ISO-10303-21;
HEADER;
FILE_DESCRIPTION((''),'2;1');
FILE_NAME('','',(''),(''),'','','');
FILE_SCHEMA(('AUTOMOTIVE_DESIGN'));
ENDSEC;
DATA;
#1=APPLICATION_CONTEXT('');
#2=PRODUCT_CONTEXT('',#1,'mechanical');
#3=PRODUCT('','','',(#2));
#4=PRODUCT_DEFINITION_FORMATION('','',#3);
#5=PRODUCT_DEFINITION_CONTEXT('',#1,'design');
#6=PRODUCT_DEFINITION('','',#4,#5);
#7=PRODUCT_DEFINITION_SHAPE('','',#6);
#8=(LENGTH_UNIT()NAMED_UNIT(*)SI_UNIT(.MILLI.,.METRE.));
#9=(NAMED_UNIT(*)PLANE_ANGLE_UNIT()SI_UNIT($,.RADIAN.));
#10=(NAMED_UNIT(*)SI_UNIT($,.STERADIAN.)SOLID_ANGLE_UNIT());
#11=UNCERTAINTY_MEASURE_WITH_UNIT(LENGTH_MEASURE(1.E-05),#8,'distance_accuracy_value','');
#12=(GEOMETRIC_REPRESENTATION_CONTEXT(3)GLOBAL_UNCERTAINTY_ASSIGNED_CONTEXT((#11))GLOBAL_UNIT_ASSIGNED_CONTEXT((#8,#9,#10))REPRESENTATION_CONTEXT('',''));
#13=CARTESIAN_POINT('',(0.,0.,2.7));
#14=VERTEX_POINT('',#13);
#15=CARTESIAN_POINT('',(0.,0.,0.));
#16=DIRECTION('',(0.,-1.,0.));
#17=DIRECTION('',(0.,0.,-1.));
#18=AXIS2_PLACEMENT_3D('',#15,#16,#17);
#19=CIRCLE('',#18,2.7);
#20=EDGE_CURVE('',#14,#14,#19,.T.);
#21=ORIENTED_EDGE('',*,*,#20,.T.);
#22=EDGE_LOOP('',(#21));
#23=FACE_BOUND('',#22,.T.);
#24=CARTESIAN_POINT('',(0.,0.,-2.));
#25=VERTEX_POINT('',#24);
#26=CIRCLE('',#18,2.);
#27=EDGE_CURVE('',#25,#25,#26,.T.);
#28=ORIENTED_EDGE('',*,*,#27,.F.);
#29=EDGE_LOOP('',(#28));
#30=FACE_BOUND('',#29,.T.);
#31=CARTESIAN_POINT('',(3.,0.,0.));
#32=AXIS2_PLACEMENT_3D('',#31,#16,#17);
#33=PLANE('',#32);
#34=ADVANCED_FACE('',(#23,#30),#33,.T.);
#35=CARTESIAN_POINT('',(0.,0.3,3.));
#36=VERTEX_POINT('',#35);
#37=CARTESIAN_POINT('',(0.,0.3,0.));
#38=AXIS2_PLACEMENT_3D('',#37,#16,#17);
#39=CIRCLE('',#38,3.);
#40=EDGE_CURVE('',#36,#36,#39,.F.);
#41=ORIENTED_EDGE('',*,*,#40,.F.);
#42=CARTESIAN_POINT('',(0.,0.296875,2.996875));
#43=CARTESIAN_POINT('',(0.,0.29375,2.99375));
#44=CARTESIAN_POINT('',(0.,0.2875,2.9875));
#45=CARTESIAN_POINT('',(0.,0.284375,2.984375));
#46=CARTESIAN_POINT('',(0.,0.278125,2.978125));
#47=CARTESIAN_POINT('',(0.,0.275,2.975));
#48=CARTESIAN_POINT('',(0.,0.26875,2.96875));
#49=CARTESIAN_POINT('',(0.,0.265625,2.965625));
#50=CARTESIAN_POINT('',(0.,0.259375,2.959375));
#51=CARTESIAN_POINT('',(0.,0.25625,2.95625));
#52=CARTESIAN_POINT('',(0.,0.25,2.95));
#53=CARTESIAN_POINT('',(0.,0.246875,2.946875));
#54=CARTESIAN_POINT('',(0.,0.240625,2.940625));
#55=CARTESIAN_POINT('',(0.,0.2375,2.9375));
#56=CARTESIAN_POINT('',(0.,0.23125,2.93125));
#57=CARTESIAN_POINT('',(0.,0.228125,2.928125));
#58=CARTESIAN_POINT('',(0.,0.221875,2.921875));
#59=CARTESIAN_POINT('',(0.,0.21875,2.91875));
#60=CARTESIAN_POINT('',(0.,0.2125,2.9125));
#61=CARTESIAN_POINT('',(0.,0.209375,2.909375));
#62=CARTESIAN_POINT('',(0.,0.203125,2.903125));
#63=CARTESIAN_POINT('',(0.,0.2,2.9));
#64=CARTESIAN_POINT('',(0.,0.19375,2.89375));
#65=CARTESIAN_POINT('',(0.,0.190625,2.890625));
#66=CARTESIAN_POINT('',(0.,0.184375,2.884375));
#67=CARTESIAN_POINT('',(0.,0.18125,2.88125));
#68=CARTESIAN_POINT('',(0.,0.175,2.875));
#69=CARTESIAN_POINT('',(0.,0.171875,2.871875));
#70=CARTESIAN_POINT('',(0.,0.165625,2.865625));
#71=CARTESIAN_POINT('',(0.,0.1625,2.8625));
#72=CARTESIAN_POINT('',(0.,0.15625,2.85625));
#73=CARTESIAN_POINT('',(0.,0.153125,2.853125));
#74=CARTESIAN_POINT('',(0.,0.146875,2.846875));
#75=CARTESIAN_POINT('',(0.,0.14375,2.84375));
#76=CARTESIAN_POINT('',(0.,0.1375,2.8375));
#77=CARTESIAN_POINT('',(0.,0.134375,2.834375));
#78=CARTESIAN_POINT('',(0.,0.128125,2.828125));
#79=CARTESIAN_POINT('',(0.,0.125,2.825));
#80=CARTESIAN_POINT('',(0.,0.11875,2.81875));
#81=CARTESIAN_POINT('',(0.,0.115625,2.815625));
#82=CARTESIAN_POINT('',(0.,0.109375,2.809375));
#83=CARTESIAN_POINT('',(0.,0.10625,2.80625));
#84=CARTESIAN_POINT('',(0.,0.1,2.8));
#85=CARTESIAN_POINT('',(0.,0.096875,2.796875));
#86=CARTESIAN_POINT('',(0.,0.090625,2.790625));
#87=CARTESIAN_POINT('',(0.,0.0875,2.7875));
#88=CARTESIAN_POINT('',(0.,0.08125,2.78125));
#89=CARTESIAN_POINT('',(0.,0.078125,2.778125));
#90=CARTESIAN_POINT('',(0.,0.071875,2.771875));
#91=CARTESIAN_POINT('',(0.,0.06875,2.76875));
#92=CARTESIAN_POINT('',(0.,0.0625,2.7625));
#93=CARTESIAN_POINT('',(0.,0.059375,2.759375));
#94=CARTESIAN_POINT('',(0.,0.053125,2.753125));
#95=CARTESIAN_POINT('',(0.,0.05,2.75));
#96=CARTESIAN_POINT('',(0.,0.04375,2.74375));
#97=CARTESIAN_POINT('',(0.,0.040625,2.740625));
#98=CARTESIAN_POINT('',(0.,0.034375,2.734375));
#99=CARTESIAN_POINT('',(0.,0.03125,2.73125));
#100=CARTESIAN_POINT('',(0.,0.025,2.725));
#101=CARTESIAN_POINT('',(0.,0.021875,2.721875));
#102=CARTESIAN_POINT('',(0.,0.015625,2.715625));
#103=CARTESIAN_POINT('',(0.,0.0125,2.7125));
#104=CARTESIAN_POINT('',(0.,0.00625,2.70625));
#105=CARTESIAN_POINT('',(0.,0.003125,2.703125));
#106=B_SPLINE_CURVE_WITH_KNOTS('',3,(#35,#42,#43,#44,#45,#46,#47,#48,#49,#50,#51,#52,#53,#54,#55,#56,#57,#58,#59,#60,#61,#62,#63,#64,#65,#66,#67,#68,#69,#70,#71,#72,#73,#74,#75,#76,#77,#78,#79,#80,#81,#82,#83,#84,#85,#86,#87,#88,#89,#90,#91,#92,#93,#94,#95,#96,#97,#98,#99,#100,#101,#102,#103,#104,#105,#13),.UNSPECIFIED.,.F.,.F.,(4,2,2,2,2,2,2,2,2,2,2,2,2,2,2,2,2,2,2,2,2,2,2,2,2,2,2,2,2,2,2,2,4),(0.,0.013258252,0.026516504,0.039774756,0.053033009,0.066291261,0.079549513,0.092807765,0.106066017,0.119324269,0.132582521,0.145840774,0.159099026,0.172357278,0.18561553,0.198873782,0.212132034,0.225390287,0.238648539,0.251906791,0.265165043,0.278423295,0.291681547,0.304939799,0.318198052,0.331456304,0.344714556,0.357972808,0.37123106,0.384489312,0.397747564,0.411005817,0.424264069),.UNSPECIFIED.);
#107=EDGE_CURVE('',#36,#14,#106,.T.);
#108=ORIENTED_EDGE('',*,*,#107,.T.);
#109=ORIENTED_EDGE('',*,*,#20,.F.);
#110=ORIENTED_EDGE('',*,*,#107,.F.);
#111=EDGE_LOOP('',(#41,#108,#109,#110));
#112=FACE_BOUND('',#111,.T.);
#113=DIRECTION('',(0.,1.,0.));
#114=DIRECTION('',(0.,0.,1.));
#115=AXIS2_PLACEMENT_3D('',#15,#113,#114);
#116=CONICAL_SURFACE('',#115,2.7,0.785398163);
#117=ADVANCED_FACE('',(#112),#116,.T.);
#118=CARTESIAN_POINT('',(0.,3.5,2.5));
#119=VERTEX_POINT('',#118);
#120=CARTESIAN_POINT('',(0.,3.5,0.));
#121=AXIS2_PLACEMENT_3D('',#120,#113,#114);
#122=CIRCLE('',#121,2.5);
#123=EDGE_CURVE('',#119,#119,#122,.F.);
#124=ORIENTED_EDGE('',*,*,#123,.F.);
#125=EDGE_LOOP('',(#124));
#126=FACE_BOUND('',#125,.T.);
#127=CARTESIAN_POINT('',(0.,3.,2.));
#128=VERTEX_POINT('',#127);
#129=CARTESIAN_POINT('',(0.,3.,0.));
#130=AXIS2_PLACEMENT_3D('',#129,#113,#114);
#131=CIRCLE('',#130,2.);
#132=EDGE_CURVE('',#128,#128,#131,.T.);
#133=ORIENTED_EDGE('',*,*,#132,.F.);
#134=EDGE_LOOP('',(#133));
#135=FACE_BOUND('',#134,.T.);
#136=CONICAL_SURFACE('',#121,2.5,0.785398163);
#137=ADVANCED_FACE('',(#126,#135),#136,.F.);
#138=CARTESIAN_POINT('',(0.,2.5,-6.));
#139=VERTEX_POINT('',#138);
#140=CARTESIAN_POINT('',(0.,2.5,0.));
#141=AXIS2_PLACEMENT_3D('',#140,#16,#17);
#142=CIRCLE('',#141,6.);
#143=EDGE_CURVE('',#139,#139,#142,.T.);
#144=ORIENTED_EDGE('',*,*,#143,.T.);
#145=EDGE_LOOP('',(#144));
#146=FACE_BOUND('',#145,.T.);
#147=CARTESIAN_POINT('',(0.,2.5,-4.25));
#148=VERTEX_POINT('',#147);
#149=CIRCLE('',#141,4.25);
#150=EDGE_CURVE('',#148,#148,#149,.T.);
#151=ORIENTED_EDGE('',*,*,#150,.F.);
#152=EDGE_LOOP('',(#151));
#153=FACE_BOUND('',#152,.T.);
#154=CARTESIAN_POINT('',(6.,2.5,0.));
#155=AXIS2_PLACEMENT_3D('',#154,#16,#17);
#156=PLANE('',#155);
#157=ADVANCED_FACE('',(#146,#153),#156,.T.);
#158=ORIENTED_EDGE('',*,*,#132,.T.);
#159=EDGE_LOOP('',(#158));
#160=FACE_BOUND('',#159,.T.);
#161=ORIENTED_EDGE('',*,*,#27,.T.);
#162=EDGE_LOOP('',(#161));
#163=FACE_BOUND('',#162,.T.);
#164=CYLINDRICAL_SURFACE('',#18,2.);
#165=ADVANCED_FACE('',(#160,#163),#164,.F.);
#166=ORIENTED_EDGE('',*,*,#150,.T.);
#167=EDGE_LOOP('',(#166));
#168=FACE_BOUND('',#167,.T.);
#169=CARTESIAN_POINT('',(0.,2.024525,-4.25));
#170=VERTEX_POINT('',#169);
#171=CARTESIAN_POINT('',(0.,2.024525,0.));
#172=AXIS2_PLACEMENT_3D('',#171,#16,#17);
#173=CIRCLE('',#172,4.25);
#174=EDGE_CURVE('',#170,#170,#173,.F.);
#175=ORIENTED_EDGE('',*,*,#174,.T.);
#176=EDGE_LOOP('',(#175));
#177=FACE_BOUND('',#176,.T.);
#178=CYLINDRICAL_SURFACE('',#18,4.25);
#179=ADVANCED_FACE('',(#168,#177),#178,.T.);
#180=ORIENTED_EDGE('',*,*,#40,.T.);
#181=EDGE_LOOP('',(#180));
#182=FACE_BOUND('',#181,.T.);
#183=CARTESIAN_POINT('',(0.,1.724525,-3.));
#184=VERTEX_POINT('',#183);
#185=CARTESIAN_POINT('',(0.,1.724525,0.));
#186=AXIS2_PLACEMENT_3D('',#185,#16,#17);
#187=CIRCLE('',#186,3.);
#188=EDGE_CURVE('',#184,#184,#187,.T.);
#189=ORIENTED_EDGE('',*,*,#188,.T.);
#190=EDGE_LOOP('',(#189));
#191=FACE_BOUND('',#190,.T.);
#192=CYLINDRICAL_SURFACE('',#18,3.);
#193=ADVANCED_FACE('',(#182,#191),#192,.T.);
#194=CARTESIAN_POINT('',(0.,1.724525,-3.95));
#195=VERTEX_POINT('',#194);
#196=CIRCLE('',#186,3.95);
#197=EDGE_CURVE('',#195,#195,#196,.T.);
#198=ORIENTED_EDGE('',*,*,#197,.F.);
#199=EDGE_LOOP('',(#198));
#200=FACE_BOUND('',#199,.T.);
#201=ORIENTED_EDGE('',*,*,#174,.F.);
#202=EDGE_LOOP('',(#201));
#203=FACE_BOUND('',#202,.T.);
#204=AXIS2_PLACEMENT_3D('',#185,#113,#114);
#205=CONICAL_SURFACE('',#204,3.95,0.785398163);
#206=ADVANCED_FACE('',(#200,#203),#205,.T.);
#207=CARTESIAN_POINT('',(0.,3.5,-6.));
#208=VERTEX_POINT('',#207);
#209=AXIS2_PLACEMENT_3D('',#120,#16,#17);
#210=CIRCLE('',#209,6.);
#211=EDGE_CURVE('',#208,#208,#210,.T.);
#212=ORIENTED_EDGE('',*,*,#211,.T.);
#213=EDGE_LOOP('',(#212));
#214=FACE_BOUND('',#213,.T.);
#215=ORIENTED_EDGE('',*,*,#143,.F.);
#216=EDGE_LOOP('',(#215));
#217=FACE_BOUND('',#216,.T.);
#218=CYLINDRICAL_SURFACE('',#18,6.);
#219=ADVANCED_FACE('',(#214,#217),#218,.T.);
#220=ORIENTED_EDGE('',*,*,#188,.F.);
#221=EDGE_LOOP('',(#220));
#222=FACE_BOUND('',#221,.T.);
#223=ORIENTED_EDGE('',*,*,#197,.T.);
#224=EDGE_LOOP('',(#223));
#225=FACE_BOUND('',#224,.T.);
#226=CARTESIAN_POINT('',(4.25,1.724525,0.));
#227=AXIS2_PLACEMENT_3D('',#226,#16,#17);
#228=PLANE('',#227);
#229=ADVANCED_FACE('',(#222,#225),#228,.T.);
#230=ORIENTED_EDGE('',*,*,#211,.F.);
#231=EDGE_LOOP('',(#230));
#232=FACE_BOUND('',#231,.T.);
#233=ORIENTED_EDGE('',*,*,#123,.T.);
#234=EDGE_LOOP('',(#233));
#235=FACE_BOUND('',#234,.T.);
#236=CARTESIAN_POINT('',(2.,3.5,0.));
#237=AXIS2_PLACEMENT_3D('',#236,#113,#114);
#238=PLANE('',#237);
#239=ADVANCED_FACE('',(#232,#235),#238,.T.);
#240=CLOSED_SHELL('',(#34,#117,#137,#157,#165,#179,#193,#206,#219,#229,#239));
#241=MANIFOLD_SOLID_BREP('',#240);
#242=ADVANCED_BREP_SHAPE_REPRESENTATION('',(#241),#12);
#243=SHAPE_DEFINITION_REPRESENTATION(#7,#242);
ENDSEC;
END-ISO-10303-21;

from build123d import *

# Parameters (mm, degrees)
CHANFREIN1_SIZE = 0.5
CHANFREIN2_SIZE = 0.3


with BuildPart() as part:
    # Esquisse1 → Révolution1 (revolve)
    with BuildSketch(Plane.XY, mode=Mode.PRIVATE) as r_volution1_sk:
        Polygon((2, 0), (2, 3.5), (6, 3.5), (6, 2.5), (4.25, 2.5), (4.25, 1.724524585), (3, 1.724524585), (3, 0), align=None)
    revolve(r_volution1_sk.sketch.rotate(Axis((0, 0, 0), (0, 1, 0)), 90), axis=Axis((0, 0, 0), (0, 1, 0)))

    # Chanfrein1
    chanfrein1_edges = [part.edges().sort_by_distance(p)[0] for p in [
        (0, 3.5, 2),
    ]]
    chamfer(chanfrein1_edges, length=CHANFREIN1_SIZE)

    # Chanfrein2
    chanfrein2_edges = [part.edges().sort_by_distance(p)[0] for p in [
        (0, 0, 3),
        (0, 1.724524585, 4.25),
    ]]
    chamfer(chanfrein2_edges, length=CHANFREIN2_SIZE)


solid = part.part
